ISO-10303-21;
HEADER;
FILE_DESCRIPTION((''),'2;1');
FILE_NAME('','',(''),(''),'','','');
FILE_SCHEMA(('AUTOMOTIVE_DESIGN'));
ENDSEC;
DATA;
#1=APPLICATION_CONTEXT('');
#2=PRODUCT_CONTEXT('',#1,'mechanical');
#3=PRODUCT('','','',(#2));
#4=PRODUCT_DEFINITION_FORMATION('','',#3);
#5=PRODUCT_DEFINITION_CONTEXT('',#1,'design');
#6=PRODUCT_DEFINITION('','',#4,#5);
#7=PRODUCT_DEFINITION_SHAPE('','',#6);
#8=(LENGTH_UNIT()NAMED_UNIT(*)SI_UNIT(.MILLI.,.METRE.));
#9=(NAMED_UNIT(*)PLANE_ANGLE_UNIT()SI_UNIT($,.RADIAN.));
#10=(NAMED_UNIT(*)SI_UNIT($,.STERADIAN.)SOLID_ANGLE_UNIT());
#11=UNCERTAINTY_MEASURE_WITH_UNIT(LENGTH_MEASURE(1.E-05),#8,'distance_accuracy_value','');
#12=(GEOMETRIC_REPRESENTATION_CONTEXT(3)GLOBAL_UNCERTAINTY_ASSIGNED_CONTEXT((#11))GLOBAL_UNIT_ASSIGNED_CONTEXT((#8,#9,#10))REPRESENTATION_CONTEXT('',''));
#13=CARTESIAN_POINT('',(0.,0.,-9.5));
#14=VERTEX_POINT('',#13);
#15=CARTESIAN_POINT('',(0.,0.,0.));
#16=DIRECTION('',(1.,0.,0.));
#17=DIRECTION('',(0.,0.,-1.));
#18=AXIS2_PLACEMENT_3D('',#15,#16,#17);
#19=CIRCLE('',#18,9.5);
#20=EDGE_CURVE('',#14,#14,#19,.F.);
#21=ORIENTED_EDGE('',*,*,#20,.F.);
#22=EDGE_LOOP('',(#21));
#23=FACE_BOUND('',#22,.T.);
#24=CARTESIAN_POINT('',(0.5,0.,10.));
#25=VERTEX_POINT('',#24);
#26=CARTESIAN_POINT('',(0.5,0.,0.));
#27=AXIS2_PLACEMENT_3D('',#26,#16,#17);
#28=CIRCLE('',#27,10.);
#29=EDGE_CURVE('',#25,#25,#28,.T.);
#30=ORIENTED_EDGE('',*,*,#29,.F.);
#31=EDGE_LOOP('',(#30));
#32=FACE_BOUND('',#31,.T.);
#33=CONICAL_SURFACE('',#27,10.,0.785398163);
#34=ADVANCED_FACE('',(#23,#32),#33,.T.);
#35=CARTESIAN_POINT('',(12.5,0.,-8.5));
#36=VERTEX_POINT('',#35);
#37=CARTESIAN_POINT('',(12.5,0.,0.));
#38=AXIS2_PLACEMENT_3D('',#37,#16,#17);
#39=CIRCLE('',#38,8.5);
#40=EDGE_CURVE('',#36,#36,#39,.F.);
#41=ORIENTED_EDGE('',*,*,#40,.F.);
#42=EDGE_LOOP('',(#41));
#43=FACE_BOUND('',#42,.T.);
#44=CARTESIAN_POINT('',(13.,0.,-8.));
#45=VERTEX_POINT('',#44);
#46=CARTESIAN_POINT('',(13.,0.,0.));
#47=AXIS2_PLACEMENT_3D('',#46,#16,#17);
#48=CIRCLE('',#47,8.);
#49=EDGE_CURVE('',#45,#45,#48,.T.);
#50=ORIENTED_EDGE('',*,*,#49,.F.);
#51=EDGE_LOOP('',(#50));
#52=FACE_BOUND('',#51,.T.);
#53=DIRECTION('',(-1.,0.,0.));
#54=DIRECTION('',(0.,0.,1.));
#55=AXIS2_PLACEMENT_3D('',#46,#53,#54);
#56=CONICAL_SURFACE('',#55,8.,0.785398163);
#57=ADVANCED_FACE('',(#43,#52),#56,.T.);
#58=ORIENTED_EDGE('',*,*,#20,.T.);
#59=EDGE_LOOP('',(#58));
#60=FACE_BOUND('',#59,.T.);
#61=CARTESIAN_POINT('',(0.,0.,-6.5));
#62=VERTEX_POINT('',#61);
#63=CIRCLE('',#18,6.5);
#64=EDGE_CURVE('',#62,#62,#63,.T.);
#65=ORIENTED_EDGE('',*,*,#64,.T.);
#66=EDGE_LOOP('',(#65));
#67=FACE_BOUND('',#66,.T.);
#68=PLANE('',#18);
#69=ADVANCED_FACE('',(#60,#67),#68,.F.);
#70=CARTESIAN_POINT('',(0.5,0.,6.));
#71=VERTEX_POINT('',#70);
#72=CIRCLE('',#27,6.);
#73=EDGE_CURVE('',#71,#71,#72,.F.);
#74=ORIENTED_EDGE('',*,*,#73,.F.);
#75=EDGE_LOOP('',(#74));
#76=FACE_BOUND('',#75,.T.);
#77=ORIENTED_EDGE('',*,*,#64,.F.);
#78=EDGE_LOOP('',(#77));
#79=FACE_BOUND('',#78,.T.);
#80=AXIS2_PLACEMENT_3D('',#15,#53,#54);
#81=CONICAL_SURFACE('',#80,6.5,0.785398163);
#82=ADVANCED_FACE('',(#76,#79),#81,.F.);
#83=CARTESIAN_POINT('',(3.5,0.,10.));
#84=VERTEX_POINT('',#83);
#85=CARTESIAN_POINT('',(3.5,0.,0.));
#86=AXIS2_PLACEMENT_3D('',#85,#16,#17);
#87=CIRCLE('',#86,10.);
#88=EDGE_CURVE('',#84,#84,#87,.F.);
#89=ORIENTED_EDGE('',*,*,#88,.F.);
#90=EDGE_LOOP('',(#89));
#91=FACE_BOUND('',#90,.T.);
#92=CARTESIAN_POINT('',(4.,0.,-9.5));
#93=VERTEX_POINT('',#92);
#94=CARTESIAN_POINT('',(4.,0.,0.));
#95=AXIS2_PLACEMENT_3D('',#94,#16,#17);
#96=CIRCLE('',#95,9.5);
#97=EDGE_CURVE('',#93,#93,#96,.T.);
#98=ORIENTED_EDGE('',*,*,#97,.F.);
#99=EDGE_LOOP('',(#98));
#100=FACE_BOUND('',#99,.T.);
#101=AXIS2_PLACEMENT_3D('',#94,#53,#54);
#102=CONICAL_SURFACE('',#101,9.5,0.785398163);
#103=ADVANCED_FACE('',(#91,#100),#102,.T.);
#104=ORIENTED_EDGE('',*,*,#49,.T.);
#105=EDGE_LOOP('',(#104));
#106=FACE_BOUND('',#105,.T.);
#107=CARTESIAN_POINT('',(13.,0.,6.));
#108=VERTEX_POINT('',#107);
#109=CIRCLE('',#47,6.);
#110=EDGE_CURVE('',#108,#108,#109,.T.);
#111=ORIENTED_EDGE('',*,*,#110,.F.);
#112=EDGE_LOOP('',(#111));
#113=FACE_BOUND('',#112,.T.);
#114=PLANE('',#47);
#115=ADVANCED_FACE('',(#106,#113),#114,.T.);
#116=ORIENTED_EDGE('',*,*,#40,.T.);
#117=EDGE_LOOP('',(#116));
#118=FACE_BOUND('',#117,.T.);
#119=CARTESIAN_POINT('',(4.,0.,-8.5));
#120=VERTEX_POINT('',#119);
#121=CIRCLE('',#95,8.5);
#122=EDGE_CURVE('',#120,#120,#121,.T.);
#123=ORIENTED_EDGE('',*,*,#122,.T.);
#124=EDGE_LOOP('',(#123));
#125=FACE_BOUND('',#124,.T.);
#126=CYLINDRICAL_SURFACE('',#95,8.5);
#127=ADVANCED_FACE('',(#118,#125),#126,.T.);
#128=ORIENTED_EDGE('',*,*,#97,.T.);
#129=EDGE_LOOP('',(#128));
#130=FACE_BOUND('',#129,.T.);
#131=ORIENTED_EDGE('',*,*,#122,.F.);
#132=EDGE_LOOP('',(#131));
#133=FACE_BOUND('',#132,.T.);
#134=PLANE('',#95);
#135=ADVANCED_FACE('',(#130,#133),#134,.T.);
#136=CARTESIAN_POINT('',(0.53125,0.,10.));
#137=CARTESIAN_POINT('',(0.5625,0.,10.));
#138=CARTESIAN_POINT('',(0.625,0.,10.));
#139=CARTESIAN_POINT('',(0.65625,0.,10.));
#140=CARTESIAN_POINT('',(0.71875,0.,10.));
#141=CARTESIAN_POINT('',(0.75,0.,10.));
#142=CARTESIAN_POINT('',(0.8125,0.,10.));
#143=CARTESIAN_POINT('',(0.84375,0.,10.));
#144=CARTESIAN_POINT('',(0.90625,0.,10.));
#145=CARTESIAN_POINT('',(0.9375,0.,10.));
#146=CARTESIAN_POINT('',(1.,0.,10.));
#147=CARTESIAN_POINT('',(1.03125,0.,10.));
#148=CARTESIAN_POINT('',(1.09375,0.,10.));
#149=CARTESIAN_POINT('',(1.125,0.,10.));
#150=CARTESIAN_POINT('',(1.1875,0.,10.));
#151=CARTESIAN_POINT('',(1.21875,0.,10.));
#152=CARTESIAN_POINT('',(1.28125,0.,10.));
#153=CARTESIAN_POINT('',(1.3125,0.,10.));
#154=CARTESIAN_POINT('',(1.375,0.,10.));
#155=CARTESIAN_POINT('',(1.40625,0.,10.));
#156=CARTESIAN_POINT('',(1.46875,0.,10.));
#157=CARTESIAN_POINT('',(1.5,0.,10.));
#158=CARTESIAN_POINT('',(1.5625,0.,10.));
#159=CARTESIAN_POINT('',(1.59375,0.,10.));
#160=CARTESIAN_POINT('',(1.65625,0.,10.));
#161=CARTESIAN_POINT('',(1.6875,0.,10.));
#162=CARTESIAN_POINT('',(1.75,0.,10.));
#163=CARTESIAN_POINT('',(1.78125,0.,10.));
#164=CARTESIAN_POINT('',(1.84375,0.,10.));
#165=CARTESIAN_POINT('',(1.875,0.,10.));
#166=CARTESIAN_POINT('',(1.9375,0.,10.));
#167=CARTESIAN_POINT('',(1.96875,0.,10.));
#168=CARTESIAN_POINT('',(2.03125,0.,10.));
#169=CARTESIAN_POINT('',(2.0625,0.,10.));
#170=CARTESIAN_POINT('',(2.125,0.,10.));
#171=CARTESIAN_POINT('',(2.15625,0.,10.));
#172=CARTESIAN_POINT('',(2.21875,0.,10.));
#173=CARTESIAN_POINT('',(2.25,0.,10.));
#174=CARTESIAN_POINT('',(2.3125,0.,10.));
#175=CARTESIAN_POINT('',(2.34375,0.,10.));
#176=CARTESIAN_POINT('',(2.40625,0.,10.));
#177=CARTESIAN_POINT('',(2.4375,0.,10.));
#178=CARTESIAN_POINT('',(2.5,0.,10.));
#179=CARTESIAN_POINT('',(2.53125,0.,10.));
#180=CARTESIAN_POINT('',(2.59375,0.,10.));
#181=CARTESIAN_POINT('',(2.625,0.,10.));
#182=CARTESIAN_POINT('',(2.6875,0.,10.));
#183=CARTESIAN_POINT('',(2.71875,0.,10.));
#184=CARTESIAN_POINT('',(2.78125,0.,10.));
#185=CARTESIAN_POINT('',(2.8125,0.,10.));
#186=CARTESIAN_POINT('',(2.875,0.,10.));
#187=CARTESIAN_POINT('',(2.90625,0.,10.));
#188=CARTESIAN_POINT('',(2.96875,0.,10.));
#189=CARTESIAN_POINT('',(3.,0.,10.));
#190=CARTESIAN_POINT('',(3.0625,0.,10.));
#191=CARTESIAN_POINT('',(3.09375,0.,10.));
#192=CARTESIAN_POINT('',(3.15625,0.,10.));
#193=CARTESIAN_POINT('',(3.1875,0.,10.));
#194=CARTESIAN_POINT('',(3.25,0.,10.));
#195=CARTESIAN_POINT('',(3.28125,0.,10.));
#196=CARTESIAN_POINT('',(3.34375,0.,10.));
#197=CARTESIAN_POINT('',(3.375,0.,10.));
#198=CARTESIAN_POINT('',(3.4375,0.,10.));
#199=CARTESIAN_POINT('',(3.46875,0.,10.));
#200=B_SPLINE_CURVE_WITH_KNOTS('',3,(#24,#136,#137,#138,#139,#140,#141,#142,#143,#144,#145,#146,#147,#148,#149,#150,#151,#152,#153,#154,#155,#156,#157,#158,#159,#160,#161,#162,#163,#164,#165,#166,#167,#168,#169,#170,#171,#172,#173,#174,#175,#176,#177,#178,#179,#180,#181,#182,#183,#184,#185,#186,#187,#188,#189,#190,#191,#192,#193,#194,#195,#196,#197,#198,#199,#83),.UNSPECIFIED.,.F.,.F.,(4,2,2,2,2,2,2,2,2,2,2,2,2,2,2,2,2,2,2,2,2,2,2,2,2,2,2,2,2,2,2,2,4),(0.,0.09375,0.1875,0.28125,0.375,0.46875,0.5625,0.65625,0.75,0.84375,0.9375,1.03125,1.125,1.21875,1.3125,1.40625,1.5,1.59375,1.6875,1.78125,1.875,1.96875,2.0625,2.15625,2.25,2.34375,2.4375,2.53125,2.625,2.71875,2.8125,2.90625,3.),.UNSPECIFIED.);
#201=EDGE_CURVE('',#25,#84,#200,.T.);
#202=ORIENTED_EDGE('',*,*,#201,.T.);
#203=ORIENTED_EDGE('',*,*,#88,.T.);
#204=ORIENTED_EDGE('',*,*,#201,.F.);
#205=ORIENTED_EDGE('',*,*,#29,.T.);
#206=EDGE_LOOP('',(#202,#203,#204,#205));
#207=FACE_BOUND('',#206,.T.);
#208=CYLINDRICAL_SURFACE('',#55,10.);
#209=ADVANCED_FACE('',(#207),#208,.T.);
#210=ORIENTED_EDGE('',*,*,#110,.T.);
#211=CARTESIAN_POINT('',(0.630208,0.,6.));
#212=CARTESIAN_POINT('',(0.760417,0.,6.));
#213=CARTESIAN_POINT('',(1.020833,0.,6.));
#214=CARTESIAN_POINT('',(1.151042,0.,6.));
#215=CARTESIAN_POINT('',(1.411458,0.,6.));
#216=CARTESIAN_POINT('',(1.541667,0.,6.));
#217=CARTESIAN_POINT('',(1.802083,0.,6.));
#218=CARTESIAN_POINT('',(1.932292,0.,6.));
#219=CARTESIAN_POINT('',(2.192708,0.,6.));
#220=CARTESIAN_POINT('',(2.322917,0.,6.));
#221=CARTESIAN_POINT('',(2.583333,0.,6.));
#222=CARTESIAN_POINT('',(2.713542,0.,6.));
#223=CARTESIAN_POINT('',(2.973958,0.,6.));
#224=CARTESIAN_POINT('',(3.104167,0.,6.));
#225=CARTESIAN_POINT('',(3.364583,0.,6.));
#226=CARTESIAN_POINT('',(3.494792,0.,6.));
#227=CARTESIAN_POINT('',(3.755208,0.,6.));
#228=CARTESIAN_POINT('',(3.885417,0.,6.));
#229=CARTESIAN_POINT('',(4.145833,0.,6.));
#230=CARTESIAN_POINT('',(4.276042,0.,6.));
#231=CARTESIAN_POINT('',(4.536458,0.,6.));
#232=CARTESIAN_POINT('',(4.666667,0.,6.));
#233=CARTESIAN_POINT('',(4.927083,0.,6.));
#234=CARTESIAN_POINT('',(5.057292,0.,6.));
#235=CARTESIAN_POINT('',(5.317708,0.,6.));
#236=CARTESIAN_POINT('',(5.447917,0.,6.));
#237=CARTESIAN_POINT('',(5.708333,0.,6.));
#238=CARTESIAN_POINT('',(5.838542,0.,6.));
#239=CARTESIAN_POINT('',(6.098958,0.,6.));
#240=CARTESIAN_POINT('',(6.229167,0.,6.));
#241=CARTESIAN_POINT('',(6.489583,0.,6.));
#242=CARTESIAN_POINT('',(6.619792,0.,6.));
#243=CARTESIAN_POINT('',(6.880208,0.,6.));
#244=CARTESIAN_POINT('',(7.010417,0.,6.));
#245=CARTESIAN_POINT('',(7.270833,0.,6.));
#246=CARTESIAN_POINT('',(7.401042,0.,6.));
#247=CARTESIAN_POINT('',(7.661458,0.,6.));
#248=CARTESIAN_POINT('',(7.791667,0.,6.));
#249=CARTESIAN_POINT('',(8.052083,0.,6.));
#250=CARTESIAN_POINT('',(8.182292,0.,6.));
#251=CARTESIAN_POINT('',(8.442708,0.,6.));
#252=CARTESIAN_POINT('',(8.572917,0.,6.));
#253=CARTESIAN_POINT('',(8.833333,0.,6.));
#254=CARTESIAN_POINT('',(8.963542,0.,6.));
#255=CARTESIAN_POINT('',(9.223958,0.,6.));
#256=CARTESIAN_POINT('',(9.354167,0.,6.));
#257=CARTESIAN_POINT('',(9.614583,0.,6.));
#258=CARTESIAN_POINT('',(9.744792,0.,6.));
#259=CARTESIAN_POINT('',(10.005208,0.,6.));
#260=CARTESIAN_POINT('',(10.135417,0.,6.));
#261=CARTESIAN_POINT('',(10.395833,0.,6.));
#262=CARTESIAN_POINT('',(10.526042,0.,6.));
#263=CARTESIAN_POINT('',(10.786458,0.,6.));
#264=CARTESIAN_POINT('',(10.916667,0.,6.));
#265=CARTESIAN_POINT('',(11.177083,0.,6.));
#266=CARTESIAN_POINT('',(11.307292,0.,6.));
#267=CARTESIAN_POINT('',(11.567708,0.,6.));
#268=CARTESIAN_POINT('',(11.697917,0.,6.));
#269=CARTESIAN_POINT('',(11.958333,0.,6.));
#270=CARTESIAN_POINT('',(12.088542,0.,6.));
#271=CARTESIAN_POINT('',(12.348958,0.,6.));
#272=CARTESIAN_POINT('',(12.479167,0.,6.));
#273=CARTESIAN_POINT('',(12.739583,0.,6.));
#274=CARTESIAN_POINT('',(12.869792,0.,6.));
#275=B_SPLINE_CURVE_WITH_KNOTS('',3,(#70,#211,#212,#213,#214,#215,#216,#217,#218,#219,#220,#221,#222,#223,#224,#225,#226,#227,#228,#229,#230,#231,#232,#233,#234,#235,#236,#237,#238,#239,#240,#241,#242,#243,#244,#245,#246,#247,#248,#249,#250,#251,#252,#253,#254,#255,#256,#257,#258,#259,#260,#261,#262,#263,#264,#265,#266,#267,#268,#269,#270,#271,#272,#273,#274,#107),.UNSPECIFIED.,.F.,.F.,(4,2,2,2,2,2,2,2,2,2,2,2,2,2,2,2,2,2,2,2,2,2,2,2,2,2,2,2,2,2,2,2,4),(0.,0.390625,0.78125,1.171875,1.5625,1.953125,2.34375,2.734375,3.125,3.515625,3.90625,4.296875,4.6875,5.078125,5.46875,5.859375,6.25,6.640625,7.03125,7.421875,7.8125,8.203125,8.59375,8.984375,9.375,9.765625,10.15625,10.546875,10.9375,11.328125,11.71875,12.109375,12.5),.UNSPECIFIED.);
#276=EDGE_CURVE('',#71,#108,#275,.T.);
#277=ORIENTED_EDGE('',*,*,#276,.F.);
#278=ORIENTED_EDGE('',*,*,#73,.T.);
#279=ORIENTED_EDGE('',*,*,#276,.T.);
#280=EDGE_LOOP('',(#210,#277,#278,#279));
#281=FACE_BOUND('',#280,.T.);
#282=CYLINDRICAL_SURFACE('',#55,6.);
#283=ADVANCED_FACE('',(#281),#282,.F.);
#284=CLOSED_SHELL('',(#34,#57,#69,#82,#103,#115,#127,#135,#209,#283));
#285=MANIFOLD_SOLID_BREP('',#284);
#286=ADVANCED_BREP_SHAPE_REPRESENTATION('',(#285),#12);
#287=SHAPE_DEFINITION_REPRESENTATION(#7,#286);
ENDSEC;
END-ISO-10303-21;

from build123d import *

# Parameters (mm, degrees)
SKETCH_1_R          = 10
SKETCH_1_R_2        = 6
EXTRUDE_2_DEPTH     = 13
SKETCH_2_OUTSIDE_W  = 28.226
SKETCH_2_OUTSIDE_H  = 28.226
SKETCH_2_OUTSIDE_R  = 8.5
CUT_EXTRUDE_1_DEPTH = 9
CHAMFER_1_SIZE      = 0.5


with BuildPart() as part:
    # 草图1 → 凸台-拉伸2 (new body)
    with BuildSketch(Plane(origin=(0, 0, 0), x_dir=(0, 0, -1), z_dir=(1, 0, 0))):
        with Locations(Location((0, 0, 0), (0, 0, 180))):
            Circle(SKETCH_1_R)
        with Locations(Location((0, 0, 0), (0, 0, 180))):
            Circle(SKETCH_1_R_2, mode=Mode.SUBTRACT)
    extrude(amount=EXTRUDE_2_DEPTH)

    # 草图2 outside → 切除-拉伸1 (cut)
    with BuildSketch(Plane(origin=(13, 0, 0), x_dir=(0, 0, -1), z_dir=(1, 0, 0))):
        Rectangle(SKETCH_2_OUTSIDE_W, SKETCH_2_OUTSIDE_H)
        Circle(SKETCH_2_OUTSIDE_R, mode=Mode.SUBTRACT)
    extrude(amount=-CUT_EXTRUDE_1_DEPTH, mode=Mode.SUBTRACT)

    # 倒角1
    chamfer_1_edges = [part.edges().sort_by_distance(p)[0] for p in [
        (4, 0, -10),
        (13, 0, 8.5),
        (0, 0, -10),
        (0, 0, -6),
    ]]
    chamfer(chamfer_1_edges, length=CHAMFER_1_SIZE)


solid = part.part
